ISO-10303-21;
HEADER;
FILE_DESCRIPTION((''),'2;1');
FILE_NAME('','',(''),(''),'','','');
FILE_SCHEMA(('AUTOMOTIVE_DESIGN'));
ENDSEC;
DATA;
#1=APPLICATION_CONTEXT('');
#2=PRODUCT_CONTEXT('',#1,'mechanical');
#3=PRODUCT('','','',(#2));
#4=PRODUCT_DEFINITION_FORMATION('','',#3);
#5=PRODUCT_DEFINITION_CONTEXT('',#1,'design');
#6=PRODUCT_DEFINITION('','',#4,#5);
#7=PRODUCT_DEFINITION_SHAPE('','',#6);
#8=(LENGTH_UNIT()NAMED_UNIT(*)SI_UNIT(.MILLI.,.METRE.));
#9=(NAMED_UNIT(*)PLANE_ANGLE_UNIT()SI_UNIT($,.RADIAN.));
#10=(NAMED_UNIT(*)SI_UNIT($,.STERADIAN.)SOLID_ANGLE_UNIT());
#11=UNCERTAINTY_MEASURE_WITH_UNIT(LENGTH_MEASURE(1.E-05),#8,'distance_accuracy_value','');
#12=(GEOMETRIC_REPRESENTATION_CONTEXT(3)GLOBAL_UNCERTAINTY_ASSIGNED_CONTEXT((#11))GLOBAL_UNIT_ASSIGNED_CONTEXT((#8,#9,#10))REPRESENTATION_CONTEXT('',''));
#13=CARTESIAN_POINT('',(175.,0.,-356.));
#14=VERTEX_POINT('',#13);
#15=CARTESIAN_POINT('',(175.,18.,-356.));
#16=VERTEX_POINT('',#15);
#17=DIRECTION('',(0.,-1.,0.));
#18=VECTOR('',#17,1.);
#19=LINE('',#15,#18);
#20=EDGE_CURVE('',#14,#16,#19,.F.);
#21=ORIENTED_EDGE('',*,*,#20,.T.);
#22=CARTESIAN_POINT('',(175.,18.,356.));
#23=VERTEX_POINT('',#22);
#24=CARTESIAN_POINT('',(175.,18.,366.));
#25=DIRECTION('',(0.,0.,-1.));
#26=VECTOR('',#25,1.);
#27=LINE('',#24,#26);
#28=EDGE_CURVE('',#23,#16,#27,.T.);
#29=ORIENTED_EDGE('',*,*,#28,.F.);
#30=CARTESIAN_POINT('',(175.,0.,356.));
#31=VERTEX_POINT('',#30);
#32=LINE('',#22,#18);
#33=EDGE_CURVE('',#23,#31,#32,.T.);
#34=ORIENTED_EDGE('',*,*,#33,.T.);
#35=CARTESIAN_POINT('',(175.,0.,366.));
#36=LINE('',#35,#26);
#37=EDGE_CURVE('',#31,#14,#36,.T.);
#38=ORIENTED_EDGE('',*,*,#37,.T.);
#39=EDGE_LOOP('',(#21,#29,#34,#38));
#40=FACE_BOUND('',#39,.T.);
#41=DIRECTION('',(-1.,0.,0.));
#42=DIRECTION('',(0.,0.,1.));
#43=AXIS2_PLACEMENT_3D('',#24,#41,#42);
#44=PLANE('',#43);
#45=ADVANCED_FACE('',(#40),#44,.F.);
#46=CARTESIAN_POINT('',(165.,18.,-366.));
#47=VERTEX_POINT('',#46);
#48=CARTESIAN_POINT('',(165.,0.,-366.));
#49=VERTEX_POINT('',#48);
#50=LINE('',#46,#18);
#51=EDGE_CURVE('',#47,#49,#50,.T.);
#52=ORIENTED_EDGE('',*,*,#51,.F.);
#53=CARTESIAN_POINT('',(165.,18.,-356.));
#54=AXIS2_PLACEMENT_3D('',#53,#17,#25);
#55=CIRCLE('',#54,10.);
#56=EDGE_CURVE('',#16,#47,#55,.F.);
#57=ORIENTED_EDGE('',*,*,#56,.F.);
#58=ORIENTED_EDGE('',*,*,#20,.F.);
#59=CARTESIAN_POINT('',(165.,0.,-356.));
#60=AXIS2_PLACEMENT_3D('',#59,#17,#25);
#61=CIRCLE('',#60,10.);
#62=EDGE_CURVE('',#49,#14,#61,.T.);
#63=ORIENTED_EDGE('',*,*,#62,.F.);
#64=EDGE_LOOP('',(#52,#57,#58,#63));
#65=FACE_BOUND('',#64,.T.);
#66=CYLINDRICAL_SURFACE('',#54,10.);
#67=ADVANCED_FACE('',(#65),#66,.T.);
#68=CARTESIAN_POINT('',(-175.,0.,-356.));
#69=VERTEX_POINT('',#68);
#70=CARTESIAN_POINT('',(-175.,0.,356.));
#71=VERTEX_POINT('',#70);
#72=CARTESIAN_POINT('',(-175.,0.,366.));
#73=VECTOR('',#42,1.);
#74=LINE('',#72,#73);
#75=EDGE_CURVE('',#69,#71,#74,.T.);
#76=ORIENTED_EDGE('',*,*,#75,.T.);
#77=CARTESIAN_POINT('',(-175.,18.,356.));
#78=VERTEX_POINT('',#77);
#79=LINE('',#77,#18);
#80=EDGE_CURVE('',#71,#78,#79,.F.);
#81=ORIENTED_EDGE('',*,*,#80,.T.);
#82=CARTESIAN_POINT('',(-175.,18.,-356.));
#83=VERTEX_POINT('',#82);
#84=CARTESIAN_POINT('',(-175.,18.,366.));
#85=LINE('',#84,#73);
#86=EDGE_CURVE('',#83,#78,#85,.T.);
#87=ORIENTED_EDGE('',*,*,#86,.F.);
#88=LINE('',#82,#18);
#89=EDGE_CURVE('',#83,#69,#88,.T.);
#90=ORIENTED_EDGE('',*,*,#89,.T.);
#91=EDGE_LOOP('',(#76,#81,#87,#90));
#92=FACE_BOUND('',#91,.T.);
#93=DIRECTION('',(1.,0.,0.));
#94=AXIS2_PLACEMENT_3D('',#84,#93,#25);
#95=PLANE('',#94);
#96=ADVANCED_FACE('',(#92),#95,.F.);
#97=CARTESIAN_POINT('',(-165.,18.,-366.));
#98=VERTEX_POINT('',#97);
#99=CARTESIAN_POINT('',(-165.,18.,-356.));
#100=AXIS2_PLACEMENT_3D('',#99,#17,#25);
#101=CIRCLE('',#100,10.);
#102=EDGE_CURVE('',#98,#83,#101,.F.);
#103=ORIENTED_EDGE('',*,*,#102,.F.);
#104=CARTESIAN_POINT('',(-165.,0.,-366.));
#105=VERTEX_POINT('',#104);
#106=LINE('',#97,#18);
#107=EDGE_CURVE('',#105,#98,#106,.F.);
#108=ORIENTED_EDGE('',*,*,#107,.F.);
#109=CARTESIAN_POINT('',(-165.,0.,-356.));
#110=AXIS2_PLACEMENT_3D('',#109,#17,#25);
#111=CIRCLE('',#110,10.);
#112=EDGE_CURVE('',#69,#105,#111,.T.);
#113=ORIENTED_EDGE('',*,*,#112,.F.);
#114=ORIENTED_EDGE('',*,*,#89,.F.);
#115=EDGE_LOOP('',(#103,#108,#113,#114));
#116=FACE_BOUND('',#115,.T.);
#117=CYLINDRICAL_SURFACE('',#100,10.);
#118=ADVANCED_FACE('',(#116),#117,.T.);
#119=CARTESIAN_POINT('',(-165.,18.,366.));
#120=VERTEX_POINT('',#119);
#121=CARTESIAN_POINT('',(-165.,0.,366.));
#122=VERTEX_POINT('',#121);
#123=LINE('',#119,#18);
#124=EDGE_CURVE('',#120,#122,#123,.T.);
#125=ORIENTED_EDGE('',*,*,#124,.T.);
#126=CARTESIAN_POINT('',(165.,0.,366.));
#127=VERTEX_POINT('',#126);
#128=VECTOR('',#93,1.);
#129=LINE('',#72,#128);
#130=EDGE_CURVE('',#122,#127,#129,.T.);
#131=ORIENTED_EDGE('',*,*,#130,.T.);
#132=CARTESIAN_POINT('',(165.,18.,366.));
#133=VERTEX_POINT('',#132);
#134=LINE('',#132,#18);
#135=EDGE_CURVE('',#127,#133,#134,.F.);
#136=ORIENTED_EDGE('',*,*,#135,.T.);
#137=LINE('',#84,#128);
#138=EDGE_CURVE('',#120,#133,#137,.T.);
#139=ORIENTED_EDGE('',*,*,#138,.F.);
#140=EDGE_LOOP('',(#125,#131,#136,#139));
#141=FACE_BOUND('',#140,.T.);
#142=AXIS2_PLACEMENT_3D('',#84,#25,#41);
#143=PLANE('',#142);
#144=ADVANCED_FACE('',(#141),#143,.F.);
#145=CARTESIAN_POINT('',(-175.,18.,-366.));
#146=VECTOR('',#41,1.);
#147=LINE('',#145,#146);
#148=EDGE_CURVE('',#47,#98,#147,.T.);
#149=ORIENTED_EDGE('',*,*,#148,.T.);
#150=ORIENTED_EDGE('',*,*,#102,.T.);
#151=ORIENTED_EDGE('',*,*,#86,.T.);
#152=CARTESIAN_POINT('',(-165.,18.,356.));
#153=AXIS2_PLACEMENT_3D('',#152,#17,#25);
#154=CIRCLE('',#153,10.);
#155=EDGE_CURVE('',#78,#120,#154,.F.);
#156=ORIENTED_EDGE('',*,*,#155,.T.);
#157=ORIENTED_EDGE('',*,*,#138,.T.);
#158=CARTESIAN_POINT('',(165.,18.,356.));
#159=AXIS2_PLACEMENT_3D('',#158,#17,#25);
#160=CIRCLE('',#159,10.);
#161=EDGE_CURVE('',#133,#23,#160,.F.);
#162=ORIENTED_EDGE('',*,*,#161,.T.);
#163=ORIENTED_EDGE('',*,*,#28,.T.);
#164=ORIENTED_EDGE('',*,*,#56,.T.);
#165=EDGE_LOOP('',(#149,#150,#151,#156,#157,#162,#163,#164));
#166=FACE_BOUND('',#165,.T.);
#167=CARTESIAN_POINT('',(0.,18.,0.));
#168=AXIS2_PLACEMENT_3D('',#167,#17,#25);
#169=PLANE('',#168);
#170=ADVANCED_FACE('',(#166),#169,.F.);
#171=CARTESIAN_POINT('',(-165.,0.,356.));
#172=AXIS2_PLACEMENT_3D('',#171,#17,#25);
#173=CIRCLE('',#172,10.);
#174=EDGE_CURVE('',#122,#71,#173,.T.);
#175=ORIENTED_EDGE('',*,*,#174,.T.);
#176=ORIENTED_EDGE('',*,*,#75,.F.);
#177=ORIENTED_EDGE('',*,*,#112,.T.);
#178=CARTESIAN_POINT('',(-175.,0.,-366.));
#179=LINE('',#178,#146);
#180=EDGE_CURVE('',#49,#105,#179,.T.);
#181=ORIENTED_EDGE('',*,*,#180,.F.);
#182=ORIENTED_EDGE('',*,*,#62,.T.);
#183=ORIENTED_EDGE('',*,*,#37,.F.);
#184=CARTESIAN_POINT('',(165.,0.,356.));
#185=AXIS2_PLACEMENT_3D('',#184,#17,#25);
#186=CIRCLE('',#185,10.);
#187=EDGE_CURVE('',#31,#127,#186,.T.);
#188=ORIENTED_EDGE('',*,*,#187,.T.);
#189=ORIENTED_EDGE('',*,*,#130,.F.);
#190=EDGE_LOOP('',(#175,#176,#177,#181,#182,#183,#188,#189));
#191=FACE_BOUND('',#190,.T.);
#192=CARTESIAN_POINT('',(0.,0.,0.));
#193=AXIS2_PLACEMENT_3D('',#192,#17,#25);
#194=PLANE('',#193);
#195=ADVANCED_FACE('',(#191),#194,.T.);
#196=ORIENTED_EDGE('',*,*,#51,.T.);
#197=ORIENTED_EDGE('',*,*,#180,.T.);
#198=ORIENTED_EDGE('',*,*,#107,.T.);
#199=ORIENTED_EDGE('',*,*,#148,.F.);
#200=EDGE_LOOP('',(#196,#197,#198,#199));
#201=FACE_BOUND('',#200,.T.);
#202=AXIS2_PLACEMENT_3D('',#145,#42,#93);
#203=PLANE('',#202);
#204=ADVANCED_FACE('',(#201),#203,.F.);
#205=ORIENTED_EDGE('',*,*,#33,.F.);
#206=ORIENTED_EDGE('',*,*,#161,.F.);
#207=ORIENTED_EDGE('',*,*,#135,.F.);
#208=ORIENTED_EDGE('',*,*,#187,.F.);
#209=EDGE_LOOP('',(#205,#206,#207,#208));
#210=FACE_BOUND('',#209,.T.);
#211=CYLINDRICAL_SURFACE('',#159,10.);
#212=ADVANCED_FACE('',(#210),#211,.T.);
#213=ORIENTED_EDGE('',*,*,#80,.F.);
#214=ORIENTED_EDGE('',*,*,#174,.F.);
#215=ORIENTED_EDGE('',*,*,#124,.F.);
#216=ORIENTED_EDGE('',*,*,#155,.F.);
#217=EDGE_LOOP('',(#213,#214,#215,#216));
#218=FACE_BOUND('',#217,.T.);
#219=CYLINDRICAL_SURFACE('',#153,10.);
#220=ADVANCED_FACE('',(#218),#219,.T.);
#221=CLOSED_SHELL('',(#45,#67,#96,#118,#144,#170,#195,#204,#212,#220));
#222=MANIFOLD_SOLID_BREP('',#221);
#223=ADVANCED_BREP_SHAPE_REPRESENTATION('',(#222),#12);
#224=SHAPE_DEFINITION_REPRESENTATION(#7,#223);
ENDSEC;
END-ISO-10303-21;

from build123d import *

# Parameters (mm, degrees)
SKETCH_1_W      = 350
SKETCH_1_H      = 732
EXTRUDE_1_DEPTH = 18
FILLET_1_R      = 10


with BuildPart() as part:
    # 草图1 → 凸台-拉伸1 (new body)
    with BuildSketch(Plane(origin=(0, 0, 0), x_dir=(1, 0, 0), z_dir=(0, 1, 0))):
        Rectangle(SKETCH_1_W, SKETCH_1_H)
    extrude(amount=EXTRUDE_1_DEPTH)

    # 圆角1
    fillet_1_edges = [part.edges().sort_by_distance(p)[0] for p in [
        (-175, 9, -366),
        (175, 9, -366),
        (175, 9, 366),
        (-175, 9, 366),
    ]]
    fillet(fillet_1_edges, radius=FILLET_1_R)


solid = part.part
